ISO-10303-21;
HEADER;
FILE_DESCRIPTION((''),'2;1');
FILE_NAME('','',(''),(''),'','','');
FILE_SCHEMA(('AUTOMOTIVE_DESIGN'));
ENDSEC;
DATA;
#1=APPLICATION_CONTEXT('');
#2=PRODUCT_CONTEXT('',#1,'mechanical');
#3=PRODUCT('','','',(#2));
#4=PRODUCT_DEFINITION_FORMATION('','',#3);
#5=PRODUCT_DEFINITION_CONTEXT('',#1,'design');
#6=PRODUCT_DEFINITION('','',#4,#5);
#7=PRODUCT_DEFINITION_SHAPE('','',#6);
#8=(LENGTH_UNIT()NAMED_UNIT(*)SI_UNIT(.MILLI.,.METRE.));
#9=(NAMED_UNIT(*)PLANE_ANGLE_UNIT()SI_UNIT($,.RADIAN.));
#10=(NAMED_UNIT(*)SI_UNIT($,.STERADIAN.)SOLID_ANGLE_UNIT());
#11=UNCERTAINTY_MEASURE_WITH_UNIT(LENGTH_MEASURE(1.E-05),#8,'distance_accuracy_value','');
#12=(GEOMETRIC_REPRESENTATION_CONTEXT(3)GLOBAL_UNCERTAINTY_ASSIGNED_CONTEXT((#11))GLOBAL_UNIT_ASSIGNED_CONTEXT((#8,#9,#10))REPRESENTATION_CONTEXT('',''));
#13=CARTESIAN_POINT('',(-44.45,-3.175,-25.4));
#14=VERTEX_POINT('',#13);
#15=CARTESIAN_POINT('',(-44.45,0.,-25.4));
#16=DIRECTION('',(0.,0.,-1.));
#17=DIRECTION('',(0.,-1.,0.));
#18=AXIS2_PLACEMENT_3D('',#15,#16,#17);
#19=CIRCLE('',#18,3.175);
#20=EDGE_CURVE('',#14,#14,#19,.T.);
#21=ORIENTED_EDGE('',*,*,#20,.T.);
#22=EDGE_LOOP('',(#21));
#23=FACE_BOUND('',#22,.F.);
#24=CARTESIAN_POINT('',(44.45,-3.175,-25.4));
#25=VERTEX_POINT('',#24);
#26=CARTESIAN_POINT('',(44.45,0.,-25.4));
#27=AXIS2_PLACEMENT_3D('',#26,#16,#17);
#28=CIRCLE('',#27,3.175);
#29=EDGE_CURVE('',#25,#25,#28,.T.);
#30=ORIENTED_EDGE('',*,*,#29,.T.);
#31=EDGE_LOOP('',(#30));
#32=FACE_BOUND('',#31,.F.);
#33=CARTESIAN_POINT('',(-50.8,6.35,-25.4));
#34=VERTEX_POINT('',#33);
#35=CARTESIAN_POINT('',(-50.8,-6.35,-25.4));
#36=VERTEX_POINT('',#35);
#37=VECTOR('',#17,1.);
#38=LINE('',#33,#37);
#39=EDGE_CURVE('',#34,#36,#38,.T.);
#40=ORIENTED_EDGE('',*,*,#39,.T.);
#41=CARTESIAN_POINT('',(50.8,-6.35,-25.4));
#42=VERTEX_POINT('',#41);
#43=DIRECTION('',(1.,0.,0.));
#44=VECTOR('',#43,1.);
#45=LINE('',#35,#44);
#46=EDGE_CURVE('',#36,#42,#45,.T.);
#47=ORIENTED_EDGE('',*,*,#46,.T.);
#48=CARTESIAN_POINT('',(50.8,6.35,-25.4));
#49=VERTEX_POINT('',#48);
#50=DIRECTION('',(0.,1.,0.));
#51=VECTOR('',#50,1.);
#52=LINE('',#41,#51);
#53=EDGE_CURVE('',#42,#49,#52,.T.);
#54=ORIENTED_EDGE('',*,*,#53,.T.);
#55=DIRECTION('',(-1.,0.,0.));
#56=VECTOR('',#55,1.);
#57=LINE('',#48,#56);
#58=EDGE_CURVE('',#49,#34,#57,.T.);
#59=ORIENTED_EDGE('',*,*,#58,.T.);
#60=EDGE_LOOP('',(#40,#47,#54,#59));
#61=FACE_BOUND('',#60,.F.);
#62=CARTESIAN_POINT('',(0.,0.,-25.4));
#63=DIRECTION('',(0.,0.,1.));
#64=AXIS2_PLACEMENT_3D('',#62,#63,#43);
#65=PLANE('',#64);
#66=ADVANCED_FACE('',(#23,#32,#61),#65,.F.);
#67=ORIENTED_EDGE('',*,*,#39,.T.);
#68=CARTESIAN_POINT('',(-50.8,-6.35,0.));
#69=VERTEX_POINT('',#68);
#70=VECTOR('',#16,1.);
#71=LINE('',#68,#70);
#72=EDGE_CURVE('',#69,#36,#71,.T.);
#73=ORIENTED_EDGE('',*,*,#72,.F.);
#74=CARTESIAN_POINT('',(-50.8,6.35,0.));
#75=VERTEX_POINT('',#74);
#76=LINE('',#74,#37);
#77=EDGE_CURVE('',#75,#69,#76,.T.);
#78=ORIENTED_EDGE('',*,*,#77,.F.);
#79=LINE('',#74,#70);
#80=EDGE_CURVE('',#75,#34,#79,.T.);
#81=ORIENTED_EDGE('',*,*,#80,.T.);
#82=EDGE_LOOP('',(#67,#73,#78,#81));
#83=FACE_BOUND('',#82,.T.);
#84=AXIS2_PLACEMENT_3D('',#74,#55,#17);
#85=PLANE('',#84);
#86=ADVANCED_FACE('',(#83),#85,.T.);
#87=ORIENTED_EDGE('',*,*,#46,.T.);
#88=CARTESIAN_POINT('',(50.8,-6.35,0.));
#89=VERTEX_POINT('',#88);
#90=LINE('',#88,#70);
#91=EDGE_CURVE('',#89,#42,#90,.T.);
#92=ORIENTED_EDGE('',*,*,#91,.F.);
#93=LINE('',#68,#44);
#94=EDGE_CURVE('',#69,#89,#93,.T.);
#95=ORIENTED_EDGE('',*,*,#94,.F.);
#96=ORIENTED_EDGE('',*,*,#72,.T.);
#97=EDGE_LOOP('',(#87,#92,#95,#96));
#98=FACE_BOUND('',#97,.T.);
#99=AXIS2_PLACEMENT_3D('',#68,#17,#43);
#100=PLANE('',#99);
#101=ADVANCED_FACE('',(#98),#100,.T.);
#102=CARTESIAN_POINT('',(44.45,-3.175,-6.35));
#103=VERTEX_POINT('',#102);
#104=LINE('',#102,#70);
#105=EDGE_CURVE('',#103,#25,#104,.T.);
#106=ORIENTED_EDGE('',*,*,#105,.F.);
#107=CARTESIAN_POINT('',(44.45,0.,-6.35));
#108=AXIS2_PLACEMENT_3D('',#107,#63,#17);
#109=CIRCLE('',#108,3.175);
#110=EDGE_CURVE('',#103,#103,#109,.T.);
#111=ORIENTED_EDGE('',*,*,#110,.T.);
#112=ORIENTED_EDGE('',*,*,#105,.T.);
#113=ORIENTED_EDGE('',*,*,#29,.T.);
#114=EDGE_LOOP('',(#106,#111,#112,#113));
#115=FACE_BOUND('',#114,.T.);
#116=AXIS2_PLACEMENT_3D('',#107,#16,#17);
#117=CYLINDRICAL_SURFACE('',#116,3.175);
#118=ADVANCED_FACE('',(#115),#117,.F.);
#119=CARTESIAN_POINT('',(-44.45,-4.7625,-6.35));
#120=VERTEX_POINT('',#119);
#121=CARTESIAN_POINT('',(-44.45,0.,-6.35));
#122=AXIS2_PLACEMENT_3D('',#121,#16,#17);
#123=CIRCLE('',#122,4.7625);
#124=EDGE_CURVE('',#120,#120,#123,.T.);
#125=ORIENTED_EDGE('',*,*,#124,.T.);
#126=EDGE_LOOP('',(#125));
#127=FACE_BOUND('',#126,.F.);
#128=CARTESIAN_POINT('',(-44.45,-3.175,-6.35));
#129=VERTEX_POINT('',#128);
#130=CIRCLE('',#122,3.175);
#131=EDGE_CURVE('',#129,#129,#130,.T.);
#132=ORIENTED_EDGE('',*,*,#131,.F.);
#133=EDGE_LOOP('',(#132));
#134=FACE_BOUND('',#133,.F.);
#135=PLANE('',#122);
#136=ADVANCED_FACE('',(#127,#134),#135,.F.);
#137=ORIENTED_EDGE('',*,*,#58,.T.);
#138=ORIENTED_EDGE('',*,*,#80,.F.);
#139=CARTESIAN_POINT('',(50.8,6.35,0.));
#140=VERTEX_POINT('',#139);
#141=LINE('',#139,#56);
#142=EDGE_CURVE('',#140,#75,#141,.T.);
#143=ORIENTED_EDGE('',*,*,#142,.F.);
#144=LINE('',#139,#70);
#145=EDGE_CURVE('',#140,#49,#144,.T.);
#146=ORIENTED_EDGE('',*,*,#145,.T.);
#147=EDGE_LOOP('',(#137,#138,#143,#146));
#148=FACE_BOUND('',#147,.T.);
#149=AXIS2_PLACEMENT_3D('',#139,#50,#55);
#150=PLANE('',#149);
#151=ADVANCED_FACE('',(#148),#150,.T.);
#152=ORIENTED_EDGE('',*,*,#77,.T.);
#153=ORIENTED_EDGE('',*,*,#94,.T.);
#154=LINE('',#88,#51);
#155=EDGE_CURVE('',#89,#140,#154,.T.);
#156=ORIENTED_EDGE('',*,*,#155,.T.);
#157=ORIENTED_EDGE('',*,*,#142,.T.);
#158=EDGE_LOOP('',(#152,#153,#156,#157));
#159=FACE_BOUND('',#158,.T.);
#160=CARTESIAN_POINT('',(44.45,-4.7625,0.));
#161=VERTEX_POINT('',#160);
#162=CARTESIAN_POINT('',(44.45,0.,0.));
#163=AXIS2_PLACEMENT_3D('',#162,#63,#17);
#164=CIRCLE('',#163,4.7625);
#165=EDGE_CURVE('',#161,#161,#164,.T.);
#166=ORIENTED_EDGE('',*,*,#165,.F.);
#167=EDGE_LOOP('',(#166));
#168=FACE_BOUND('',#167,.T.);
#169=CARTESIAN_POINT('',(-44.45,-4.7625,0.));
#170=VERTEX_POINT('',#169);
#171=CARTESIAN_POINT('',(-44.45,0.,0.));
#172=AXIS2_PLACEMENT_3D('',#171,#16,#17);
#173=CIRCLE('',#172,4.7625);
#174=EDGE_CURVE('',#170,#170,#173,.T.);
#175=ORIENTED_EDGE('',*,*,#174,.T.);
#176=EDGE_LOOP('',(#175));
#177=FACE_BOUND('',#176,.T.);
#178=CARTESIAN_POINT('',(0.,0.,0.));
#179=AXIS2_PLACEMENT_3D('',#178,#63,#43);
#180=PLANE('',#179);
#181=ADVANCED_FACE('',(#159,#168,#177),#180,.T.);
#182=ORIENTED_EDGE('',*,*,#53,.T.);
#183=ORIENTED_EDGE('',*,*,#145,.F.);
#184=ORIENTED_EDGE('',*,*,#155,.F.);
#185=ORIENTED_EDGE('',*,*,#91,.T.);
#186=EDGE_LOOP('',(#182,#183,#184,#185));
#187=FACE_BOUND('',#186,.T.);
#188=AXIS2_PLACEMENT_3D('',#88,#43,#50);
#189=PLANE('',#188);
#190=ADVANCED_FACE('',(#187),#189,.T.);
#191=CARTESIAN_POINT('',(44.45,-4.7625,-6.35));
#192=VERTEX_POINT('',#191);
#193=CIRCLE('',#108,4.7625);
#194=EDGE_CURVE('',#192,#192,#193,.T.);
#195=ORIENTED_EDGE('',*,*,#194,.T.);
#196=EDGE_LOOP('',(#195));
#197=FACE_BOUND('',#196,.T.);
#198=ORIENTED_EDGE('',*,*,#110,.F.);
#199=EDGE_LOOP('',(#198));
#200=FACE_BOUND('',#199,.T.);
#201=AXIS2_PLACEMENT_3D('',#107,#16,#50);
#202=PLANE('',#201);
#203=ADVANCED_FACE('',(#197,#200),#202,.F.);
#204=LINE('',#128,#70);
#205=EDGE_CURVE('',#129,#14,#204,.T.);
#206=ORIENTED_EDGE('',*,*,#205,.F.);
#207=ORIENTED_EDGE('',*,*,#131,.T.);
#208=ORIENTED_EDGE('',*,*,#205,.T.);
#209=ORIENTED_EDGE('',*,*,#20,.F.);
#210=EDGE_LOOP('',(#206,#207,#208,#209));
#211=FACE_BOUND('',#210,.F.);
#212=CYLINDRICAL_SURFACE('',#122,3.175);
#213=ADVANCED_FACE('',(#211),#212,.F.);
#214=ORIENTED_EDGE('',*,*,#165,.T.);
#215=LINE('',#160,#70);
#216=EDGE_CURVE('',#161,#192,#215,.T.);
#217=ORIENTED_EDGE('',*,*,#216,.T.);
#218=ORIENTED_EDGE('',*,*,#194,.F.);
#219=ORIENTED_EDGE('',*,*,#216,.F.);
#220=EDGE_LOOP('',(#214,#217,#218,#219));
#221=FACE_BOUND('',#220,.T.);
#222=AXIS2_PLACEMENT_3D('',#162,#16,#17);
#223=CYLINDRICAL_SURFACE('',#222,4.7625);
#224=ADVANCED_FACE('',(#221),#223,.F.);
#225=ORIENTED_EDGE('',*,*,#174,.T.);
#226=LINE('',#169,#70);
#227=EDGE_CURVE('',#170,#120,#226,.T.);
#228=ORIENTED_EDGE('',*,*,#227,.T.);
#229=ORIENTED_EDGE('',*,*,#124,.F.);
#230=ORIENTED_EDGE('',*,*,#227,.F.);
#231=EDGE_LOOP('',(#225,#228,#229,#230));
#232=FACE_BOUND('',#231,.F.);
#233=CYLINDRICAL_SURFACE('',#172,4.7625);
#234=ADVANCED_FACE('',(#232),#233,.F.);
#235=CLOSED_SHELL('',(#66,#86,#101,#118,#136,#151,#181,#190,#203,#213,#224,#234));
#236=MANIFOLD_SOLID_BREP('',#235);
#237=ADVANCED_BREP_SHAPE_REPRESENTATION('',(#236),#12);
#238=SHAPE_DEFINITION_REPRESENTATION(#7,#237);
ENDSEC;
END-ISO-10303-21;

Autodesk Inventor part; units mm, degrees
ref_plane "YZ Plane" through (0, 0, 0) normal (1, 0, 0) x (0, 1, 0)
ref_plane "XZ Plane" through (0, 0, 0) normal (0, 1, 0) x (-1, 0, 0)
ref_plane "XY Plane" through (0, 0, 0) normal (0, 0, 1) x (1, 0, 0)
sketch "Sketch1" plane through (0, 0, 0) normal (0, 0, 1) x (1, 0, 0)
  line L0 (50.8, 6.35) -> (-50.8, 6.35)
  line L1 (-50.8, 6.35) -> (-50.8, -6.35)
  line L2 (-50.8, -6.35) -> (50.8, -6.35)
  line L3 (50.8, -6.35) -> (50.8, 6.35)
  line L4 (50.8, 6.35) -> (-50.8, -6.35) construction
  line L5 (-50.8, 6.35) -> (50.8, -6.35) construction
  point P0 (0, 0)
  dimension "d0" = 101.6
  dimension "d1" = 12.7
extrude "Extrusion1" add sketch "Sketch1" against normal blind 25.4
sketch "Sketch2" plane through (0, 0, 0) normal (0, 0, 1) x (1, 0, 0)
  line L0 (-71.12, 0) -> (71.12, 0) projected
  line L1 (0, -8.89) -> (0, 8.89) projected
  line L2 (-50.8, 6.35) -> (-50.8, -6.35) projected
  line L3 (-50.8, -6.35) -> (50.8, -6.35) projected
  line L4 (50.8, -6.35) -> (50.8, 6.35) projected
  line L5 (50.8, 6.35) -> (-50.8, 6.35) projected
  point P0 (0, 0)
  point P1 (-44.45, 0)
  dimension "d5" = 44.45
hole "Hole1" at (-44.45, 0, 0) direction (0, 0, -1) diameter 6.35 end through all counterbore diameter 9.525 counterbore depth 6.35
mirror "Mirror1" about plane through (0, 0, 0) normal (1, 0, 0) of "Hole1"
equation "\"d11\" = Thickness"
equation "\"BendRadius\" = Thickness"
equation "\"BendReliefWidth\" = Thickness"
equation "\"BendReliefDepth\" = 0.5 * Thickness"
equation "\"CornerReliefSize\" = 4 * Thickness"
equation "\"MinimumRemnant\" = 2 * Thickness"
equation "\"TransitionRadius\" = BendRadius"
equation "\"JacobiRadiusSize\" = BendRadius"
equation "\"GapSize\" = Thickness"
equation "\"Thickness\" = 3.048"
properties part number "3DPrintedFrameBackingPlate"
